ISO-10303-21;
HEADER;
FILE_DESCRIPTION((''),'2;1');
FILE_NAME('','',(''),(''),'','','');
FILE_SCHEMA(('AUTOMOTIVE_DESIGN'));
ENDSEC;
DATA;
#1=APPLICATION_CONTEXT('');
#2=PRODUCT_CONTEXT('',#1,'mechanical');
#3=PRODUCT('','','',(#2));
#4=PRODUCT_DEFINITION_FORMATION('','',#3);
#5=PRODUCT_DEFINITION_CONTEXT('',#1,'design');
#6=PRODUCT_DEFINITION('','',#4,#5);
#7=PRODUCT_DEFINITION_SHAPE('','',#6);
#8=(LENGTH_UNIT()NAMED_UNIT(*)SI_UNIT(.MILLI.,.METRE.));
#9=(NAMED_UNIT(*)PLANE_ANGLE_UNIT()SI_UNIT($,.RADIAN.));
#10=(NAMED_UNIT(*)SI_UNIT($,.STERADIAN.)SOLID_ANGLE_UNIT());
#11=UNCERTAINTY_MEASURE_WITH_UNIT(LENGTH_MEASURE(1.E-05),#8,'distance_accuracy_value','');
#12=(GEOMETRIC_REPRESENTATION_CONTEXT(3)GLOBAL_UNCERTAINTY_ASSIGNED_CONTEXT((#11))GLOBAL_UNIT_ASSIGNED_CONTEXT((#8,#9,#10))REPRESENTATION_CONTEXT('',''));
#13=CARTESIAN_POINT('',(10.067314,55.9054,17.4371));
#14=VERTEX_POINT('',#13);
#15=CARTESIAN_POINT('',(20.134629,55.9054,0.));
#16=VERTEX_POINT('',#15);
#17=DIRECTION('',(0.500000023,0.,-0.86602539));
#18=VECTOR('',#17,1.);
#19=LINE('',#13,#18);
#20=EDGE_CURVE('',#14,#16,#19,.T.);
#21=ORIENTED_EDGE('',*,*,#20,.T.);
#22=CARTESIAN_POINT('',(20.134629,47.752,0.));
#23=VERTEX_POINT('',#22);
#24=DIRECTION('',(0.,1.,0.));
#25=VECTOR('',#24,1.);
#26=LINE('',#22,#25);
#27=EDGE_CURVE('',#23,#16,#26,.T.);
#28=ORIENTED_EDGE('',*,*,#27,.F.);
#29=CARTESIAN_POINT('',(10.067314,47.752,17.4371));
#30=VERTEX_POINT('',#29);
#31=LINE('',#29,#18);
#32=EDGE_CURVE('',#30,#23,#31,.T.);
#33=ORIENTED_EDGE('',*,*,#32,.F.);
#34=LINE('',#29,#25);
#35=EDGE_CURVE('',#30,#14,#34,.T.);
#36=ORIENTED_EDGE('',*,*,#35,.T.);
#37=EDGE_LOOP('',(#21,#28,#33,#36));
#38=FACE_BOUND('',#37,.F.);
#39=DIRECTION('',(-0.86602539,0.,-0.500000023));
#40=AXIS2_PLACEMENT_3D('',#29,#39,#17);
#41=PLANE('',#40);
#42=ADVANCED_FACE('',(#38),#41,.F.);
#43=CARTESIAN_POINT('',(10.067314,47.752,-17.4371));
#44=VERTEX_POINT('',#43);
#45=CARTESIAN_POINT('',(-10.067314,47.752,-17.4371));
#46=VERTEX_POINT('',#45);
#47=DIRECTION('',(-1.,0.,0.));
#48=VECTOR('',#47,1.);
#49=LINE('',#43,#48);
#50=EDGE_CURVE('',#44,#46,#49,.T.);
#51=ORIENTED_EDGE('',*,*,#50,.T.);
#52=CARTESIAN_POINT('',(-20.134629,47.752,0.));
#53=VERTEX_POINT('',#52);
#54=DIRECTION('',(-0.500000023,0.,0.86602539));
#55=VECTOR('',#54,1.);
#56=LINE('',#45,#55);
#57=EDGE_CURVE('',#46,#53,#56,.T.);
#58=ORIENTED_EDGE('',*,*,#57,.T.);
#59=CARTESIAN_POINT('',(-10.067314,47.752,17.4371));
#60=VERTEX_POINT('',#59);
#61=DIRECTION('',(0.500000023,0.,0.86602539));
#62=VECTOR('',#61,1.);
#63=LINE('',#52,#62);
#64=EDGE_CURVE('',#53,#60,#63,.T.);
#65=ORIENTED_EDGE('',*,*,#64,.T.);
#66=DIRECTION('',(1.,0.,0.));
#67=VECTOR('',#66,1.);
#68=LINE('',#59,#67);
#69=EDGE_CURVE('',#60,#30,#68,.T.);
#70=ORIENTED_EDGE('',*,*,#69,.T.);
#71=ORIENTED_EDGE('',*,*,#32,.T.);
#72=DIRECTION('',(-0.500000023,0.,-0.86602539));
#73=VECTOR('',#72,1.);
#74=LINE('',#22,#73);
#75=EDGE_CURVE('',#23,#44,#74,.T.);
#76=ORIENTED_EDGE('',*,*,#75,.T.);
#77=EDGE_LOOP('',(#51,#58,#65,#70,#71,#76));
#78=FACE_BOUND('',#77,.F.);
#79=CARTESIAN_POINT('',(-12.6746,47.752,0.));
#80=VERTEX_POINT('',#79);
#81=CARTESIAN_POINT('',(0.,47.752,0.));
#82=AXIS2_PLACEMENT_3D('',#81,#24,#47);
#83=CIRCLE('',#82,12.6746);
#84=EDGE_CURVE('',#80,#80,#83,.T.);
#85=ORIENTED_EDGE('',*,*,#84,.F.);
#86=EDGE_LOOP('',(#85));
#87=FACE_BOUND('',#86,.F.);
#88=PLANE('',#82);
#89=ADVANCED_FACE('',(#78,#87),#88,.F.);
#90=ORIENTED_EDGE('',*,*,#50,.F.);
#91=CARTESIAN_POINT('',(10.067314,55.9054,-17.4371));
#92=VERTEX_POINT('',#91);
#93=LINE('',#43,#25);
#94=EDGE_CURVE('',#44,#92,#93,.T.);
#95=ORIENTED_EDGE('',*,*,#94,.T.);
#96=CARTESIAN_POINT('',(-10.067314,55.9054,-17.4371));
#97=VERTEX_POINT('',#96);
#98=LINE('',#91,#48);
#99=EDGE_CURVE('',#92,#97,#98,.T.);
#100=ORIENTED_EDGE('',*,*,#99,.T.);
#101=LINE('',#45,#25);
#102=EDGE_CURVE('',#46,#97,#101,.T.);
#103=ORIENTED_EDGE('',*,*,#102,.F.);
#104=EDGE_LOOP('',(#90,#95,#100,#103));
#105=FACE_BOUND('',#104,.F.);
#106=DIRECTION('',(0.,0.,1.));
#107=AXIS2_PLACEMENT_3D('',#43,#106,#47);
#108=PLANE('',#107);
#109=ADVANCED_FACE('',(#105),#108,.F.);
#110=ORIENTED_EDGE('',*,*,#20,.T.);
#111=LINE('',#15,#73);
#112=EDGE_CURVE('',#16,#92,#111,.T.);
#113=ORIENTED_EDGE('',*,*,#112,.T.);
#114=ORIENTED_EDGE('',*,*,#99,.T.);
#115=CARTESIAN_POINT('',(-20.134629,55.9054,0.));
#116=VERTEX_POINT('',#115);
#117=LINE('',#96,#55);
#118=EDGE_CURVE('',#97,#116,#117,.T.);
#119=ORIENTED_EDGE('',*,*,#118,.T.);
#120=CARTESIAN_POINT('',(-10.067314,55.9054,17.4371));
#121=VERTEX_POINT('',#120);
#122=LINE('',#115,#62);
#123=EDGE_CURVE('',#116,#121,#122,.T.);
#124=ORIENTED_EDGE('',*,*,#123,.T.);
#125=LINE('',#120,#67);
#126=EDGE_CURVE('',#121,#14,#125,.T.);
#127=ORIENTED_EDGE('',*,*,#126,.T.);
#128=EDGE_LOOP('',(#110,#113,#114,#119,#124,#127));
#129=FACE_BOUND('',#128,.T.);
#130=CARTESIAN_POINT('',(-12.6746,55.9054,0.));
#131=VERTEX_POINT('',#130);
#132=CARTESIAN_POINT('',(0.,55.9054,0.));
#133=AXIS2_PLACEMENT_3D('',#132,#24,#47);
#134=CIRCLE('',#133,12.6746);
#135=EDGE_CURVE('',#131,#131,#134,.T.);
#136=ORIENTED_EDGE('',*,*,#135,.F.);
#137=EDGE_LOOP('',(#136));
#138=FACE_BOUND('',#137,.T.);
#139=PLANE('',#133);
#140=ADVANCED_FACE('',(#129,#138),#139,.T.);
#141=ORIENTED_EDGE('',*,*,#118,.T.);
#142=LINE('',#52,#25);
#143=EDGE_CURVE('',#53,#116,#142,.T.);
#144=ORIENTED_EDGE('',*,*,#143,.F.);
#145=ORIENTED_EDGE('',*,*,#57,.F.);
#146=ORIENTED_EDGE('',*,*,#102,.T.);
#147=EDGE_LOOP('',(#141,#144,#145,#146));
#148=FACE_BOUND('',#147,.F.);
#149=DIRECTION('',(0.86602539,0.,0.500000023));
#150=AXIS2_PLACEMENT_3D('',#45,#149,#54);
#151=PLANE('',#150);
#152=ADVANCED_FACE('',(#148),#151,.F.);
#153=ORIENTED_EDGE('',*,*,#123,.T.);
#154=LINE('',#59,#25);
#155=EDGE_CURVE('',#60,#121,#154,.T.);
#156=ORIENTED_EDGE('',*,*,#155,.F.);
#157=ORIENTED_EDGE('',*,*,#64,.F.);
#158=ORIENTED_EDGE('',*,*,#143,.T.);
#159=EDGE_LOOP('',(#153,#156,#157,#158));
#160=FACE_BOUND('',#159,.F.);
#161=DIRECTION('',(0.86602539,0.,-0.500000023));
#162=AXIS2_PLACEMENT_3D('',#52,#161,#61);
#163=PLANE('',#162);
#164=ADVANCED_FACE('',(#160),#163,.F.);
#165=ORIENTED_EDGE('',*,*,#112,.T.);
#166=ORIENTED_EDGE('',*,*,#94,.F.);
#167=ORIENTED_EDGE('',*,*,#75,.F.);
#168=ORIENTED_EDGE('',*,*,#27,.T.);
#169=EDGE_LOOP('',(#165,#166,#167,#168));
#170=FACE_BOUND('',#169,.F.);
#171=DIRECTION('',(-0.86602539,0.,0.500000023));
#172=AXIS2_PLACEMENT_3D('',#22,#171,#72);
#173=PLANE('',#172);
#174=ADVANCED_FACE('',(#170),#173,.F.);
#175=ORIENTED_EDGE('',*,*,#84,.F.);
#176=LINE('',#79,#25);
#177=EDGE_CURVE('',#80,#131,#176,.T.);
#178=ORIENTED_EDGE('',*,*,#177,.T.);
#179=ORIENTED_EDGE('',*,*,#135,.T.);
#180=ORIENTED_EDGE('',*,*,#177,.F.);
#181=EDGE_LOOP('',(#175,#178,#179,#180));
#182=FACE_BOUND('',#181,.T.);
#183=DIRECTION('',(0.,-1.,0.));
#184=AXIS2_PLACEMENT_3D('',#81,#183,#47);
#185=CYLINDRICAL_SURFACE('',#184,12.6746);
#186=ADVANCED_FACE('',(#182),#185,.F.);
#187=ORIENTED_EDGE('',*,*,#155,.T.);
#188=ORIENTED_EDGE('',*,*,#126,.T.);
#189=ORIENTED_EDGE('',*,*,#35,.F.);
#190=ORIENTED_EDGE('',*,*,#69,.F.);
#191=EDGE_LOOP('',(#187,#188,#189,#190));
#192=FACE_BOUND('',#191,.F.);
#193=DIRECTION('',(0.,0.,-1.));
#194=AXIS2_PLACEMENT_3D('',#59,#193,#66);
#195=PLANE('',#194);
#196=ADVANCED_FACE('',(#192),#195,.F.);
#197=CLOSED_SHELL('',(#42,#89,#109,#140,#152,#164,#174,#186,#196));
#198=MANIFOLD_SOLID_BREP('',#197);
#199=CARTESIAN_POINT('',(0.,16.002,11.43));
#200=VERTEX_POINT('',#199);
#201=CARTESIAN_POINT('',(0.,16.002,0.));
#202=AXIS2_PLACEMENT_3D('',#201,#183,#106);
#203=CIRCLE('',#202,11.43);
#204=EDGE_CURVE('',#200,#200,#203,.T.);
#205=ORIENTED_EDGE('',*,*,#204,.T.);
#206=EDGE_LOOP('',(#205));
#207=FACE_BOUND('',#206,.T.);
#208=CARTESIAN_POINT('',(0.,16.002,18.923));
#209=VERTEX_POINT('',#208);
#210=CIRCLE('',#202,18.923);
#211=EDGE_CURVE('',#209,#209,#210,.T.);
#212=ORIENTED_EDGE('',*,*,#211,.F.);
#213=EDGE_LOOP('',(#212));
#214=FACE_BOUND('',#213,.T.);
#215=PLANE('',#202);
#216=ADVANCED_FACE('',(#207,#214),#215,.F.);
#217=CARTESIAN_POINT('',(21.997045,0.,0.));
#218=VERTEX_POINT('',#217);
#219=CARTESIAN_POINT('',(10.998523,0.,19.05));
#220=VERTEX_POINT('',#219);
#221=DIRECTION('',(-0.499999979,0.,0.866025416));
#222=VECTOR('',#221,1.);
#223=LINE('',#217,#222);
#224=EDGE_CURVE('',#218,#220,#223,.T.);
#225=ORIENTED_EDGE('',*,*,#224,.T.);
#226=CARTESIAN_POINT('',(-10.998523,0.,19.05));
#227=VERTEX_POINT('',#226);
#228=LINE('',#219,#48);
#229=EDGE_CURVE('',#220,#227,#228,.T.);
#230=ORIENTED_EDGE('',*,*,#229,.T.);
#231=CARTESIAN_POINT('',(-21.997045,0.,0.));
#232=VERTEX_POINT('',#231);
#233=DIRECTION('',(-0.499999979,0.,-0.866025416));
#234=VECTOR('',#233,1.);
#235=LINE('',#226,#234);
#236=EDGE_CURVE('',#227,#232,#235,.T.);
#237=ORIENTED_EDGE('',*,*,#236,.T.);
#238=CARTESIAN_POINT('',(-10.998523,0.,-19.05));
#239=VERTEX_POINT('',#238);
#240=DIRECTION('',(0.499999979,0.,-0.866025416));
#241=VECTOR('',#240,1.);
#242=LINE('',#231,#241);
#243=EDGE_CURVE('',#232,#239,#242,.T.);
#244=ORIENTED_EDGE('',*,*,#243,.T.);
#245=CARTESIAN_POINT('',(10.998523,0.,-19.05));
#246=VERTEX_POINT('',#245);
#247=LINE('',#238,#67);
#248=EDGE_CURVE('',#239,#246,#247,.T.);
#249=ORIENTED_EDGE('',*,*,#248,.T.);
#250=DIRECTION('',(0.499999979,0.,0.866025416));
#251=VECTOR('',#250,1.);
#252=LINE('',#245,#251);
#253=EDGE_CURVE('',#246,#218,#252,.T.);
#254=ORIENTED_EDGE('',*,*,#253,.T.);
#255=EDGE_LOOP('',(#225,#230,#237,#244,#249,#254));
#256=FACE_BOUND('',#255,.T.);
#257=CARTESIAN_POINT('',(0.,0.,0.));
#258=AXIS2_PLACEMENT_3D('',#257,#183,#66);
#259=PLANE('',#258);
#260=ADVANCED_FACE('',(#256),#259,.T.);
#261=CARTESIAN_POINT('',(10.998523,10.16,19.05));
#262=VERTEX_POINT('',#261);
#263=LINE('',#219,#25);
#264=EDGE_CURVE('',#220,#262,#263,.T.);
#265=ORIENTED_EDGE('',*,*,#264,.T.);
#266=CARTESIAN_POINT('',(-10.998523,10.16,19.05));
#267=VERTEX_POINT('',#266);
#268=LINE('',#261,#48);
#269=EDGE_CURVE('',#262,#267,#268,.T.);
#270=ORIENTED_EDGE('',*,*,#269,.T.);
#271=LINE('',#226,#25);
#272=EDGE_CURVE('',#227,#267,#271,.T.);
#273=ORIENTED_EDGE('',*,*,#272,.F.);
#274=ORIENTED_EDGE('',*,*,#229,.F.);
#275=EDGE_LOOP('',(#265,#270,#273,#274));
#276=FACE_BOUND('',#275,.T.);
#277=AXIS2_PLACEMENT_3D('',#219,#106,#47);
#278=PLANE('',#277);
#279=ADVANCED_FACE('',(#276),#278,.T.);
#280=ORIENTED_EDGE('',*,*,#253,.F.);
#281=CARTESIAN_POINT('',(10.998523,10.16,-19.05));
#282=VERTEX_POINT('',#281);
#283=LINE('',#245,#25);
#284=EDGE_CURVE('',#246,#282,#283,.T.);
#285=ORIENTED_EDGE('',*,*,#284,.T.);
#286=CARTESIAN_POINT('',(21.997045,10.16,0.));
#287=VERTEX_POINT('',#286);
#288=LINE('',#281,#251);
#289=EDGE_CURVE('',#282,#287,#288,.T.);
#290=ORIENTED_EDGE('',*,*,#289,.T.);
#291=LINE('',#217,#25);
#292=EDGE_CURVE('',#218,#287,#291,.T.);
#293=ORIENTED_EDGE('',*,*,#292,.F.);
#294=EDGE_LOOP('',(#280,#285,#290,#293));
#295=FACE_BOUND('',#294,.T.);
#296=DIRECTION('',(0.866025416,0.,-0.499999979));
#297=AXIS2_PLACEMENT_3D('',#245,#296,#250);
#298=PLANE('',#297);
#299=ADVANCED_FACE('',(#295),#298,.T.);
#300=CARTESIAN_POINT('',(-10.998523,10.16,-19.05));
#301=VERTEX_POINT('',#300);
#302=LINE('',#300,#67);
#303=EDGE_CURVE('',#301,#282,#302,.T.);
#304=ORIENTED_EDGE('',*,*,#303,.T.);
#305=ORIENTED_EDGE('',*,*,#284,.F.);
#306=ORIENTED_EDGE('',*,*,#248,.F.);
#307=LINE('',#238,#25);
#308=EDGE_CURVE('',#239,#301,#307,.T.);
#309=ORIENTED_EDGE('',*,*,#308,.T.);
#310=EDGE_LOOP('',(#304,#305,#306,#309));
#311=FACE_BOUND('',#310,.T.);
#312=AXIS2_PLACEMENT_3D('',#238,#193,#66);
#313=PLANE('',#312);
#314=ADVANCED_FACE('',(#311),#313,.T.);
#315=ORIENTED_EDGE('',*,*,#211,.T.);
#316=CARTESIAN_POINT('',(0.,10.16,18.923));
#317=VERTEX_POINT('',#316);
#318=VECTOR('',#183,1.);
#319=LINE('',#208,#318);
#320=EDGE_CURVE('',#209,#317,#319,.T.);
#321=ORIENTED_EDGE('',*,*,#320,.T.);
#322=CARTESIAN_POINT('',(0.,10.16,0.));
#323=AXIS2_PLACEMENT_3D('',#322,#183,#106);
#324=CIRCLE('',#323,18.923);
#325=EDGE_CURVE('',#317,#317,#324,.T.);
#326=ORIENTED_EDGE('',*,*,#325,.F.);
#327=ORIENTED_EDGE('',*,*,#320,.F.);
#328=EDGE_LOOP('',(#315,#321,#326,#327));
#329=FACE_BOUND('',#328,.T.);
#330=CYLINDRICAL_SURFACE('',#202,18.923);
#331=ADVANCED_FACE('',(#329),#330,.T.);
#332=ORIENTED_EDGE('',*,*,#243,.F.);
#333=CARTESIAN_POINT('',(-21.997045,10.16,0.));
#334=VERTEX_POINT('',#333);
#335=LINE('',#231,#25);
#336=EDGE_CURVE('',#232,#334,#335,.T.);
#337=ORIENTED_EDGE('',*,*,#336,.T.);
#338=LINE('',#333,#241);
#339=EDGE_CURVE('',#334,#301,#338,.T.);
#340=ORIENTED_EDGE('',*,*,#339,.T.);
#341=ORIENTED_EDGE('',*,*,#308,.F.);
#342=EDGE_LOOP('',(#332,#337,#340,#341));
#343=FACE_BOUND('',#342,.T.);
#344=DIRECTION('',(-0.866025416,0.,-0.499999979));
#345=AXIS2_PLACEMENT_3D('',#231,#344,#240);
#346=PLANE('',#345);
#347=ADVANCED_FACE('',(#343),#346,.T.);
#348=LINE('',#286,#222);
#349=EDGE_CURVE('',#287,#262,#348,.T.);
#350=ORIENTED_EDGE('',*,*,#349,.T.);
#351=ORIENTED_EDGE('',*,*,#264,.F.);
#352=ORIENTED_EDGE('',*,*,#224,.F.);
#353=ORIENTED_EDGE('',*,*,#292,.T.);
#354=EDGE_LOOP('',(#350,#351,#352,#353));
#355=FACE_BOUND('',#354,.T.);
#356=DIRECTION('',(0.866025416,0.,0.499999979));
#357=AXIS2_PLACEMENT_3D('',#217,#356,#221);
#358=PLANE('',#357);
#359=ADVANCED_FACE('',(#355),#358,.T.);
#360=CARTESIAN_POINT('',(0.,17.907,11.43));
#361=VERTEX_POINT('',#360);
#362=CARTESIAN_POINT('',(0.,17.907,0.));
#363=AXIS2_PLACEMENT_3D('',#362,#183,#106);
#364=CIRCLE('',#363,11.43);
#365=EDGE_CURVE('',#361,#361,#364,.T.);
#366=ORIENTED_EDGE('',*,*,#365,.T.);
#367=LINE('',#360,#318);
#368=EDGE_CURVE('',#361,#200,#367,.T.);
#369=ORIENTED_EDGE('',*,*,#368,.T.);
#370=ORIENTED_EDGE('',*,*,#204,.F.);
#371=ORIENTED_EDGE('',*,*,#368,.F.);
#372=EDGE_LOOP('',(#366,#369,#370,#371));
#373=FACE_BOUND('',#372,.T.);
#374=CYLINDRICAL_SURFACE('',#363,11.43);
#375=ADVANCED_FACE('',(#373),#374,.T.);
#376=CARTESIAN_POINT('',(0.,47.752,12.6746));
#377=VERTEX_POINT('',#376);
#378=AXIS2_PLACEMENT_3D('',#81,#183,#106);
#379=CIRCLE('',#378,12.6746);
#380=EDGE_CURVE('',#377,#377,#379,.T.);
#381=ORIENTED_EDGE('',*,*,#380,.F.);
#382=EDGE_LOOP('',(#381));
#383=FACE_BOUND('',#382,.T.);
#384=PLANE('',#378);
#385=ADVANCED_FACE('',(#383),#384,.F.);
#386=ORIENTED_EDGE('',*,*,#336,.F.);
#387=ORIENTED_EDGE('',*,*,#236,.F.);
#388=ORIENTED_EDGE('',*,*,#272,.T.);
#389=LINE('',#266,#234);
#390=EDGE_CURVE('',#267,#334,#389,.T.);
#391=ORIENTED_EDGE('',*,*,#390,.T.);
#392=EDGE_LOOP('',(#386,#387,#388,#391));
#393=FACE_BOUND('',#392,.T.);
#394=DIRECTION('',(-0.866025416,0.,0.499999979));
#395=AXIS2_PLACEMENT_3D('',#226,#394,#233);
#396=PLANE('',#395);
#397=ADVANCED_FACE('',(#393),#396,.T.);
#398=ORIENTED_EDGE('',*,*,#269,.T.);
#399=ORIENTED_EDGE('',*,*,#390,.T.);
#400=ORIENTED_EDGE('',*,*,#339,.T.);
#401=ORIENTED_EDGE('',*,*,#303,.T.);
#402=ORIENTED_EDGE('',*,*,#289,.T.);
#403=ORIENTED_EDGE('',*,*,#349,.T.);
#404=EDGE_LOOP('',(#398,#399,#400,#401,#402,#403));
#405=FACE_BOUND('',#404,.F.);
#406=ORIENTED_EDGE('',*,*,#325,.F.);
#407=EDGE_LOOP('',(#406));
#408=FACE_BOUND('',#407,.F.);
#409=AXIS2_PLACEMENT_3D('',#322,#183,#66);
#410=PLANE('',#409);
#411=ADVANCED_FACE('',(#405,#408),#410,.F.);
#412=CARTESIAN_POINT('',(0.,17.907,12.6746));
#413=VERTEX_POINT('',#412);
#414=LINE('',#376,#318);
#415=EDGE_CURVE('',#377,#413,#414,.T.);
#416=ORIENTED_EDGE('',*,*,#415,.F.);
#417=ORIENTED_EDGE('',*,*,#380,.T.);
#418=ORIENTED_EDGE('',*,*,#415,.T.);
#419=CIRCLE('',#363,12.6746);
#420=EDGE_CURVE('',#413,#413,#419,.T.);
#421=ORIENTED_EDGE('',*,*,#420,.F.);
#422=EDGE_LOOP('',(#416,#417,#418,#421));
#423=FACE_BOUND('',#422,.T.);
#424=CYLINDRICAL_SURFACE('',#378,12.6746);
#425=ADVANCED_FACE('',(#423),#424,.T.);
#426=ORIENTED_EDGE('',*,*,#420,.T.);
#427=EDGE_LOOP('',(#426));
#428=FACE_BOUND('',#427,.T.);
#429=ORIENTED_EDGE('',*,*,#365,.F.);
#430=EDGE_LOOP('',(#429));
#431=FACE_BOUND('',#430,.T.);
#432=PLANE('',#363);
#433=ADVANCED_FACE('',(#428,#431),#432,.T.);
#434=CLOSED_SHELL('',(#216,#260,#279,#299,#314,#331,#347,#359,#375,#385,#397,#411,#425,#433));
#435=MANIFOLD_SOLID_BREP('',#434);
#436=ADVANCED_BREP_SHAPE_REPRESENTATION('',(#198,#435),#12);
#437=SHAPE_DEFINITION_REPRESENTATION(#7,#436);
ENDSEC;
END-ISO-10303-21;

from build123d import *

# Parameters (mm, degrees)
F2_R     = 18.923
F3_DEPTH = 10.16
F4_R     = 12.6746
F5_DEPTH = 8.1534


with BuildPart() as f1:
    # F0 (on Right) → F1 (revolve)
    with BuildSketch(Plane.YZ):
        Polygon((0, 18.923), (0, 0), (47.752, 0), (47.752, 12.6746), (17.907, 12.6746), (17.907, 11.43), (16.002, 11.43), (16.002, 18.923), align=None)
    revolve(axis=Axis((0, 23.876, 0), (0, -1, 0)))

    # F2 (on face) → F3 (join)
    with BuildSketch(Plane.XZ):
        Polygon((-10.998523, -19.05), (10.998523, -19.05), (21.997045, 0), (10.998523, 19.05), (-10.998523, 19.05), (-21.997045, 0), align=None)
        Circle(F2_R, mode=Mode.SUBTRACT)
    extrude(amount=-F3_DEPTH)


with BuildPart() as f5:
    # F4 (on face) → F5 (new body)
    with BuildSketch(Plane(origin=(0, 47.752, 0), x_dir=(-1, 0, 0), z_dir=(0, 1, 0))):
        Polygon((10.067314, 17.4371), (-10.067314, 17.4371), (-20.134629, 0), (-10.067314, -17.4371), (10.067314, -17.4371), (20.134629, 0), align=None)
        Circle(F4_R, mode=Mode.SUBTRACT)
    extrude(amount=F5_DEPTH)


solid = Compound([f1.part, f5.part])
